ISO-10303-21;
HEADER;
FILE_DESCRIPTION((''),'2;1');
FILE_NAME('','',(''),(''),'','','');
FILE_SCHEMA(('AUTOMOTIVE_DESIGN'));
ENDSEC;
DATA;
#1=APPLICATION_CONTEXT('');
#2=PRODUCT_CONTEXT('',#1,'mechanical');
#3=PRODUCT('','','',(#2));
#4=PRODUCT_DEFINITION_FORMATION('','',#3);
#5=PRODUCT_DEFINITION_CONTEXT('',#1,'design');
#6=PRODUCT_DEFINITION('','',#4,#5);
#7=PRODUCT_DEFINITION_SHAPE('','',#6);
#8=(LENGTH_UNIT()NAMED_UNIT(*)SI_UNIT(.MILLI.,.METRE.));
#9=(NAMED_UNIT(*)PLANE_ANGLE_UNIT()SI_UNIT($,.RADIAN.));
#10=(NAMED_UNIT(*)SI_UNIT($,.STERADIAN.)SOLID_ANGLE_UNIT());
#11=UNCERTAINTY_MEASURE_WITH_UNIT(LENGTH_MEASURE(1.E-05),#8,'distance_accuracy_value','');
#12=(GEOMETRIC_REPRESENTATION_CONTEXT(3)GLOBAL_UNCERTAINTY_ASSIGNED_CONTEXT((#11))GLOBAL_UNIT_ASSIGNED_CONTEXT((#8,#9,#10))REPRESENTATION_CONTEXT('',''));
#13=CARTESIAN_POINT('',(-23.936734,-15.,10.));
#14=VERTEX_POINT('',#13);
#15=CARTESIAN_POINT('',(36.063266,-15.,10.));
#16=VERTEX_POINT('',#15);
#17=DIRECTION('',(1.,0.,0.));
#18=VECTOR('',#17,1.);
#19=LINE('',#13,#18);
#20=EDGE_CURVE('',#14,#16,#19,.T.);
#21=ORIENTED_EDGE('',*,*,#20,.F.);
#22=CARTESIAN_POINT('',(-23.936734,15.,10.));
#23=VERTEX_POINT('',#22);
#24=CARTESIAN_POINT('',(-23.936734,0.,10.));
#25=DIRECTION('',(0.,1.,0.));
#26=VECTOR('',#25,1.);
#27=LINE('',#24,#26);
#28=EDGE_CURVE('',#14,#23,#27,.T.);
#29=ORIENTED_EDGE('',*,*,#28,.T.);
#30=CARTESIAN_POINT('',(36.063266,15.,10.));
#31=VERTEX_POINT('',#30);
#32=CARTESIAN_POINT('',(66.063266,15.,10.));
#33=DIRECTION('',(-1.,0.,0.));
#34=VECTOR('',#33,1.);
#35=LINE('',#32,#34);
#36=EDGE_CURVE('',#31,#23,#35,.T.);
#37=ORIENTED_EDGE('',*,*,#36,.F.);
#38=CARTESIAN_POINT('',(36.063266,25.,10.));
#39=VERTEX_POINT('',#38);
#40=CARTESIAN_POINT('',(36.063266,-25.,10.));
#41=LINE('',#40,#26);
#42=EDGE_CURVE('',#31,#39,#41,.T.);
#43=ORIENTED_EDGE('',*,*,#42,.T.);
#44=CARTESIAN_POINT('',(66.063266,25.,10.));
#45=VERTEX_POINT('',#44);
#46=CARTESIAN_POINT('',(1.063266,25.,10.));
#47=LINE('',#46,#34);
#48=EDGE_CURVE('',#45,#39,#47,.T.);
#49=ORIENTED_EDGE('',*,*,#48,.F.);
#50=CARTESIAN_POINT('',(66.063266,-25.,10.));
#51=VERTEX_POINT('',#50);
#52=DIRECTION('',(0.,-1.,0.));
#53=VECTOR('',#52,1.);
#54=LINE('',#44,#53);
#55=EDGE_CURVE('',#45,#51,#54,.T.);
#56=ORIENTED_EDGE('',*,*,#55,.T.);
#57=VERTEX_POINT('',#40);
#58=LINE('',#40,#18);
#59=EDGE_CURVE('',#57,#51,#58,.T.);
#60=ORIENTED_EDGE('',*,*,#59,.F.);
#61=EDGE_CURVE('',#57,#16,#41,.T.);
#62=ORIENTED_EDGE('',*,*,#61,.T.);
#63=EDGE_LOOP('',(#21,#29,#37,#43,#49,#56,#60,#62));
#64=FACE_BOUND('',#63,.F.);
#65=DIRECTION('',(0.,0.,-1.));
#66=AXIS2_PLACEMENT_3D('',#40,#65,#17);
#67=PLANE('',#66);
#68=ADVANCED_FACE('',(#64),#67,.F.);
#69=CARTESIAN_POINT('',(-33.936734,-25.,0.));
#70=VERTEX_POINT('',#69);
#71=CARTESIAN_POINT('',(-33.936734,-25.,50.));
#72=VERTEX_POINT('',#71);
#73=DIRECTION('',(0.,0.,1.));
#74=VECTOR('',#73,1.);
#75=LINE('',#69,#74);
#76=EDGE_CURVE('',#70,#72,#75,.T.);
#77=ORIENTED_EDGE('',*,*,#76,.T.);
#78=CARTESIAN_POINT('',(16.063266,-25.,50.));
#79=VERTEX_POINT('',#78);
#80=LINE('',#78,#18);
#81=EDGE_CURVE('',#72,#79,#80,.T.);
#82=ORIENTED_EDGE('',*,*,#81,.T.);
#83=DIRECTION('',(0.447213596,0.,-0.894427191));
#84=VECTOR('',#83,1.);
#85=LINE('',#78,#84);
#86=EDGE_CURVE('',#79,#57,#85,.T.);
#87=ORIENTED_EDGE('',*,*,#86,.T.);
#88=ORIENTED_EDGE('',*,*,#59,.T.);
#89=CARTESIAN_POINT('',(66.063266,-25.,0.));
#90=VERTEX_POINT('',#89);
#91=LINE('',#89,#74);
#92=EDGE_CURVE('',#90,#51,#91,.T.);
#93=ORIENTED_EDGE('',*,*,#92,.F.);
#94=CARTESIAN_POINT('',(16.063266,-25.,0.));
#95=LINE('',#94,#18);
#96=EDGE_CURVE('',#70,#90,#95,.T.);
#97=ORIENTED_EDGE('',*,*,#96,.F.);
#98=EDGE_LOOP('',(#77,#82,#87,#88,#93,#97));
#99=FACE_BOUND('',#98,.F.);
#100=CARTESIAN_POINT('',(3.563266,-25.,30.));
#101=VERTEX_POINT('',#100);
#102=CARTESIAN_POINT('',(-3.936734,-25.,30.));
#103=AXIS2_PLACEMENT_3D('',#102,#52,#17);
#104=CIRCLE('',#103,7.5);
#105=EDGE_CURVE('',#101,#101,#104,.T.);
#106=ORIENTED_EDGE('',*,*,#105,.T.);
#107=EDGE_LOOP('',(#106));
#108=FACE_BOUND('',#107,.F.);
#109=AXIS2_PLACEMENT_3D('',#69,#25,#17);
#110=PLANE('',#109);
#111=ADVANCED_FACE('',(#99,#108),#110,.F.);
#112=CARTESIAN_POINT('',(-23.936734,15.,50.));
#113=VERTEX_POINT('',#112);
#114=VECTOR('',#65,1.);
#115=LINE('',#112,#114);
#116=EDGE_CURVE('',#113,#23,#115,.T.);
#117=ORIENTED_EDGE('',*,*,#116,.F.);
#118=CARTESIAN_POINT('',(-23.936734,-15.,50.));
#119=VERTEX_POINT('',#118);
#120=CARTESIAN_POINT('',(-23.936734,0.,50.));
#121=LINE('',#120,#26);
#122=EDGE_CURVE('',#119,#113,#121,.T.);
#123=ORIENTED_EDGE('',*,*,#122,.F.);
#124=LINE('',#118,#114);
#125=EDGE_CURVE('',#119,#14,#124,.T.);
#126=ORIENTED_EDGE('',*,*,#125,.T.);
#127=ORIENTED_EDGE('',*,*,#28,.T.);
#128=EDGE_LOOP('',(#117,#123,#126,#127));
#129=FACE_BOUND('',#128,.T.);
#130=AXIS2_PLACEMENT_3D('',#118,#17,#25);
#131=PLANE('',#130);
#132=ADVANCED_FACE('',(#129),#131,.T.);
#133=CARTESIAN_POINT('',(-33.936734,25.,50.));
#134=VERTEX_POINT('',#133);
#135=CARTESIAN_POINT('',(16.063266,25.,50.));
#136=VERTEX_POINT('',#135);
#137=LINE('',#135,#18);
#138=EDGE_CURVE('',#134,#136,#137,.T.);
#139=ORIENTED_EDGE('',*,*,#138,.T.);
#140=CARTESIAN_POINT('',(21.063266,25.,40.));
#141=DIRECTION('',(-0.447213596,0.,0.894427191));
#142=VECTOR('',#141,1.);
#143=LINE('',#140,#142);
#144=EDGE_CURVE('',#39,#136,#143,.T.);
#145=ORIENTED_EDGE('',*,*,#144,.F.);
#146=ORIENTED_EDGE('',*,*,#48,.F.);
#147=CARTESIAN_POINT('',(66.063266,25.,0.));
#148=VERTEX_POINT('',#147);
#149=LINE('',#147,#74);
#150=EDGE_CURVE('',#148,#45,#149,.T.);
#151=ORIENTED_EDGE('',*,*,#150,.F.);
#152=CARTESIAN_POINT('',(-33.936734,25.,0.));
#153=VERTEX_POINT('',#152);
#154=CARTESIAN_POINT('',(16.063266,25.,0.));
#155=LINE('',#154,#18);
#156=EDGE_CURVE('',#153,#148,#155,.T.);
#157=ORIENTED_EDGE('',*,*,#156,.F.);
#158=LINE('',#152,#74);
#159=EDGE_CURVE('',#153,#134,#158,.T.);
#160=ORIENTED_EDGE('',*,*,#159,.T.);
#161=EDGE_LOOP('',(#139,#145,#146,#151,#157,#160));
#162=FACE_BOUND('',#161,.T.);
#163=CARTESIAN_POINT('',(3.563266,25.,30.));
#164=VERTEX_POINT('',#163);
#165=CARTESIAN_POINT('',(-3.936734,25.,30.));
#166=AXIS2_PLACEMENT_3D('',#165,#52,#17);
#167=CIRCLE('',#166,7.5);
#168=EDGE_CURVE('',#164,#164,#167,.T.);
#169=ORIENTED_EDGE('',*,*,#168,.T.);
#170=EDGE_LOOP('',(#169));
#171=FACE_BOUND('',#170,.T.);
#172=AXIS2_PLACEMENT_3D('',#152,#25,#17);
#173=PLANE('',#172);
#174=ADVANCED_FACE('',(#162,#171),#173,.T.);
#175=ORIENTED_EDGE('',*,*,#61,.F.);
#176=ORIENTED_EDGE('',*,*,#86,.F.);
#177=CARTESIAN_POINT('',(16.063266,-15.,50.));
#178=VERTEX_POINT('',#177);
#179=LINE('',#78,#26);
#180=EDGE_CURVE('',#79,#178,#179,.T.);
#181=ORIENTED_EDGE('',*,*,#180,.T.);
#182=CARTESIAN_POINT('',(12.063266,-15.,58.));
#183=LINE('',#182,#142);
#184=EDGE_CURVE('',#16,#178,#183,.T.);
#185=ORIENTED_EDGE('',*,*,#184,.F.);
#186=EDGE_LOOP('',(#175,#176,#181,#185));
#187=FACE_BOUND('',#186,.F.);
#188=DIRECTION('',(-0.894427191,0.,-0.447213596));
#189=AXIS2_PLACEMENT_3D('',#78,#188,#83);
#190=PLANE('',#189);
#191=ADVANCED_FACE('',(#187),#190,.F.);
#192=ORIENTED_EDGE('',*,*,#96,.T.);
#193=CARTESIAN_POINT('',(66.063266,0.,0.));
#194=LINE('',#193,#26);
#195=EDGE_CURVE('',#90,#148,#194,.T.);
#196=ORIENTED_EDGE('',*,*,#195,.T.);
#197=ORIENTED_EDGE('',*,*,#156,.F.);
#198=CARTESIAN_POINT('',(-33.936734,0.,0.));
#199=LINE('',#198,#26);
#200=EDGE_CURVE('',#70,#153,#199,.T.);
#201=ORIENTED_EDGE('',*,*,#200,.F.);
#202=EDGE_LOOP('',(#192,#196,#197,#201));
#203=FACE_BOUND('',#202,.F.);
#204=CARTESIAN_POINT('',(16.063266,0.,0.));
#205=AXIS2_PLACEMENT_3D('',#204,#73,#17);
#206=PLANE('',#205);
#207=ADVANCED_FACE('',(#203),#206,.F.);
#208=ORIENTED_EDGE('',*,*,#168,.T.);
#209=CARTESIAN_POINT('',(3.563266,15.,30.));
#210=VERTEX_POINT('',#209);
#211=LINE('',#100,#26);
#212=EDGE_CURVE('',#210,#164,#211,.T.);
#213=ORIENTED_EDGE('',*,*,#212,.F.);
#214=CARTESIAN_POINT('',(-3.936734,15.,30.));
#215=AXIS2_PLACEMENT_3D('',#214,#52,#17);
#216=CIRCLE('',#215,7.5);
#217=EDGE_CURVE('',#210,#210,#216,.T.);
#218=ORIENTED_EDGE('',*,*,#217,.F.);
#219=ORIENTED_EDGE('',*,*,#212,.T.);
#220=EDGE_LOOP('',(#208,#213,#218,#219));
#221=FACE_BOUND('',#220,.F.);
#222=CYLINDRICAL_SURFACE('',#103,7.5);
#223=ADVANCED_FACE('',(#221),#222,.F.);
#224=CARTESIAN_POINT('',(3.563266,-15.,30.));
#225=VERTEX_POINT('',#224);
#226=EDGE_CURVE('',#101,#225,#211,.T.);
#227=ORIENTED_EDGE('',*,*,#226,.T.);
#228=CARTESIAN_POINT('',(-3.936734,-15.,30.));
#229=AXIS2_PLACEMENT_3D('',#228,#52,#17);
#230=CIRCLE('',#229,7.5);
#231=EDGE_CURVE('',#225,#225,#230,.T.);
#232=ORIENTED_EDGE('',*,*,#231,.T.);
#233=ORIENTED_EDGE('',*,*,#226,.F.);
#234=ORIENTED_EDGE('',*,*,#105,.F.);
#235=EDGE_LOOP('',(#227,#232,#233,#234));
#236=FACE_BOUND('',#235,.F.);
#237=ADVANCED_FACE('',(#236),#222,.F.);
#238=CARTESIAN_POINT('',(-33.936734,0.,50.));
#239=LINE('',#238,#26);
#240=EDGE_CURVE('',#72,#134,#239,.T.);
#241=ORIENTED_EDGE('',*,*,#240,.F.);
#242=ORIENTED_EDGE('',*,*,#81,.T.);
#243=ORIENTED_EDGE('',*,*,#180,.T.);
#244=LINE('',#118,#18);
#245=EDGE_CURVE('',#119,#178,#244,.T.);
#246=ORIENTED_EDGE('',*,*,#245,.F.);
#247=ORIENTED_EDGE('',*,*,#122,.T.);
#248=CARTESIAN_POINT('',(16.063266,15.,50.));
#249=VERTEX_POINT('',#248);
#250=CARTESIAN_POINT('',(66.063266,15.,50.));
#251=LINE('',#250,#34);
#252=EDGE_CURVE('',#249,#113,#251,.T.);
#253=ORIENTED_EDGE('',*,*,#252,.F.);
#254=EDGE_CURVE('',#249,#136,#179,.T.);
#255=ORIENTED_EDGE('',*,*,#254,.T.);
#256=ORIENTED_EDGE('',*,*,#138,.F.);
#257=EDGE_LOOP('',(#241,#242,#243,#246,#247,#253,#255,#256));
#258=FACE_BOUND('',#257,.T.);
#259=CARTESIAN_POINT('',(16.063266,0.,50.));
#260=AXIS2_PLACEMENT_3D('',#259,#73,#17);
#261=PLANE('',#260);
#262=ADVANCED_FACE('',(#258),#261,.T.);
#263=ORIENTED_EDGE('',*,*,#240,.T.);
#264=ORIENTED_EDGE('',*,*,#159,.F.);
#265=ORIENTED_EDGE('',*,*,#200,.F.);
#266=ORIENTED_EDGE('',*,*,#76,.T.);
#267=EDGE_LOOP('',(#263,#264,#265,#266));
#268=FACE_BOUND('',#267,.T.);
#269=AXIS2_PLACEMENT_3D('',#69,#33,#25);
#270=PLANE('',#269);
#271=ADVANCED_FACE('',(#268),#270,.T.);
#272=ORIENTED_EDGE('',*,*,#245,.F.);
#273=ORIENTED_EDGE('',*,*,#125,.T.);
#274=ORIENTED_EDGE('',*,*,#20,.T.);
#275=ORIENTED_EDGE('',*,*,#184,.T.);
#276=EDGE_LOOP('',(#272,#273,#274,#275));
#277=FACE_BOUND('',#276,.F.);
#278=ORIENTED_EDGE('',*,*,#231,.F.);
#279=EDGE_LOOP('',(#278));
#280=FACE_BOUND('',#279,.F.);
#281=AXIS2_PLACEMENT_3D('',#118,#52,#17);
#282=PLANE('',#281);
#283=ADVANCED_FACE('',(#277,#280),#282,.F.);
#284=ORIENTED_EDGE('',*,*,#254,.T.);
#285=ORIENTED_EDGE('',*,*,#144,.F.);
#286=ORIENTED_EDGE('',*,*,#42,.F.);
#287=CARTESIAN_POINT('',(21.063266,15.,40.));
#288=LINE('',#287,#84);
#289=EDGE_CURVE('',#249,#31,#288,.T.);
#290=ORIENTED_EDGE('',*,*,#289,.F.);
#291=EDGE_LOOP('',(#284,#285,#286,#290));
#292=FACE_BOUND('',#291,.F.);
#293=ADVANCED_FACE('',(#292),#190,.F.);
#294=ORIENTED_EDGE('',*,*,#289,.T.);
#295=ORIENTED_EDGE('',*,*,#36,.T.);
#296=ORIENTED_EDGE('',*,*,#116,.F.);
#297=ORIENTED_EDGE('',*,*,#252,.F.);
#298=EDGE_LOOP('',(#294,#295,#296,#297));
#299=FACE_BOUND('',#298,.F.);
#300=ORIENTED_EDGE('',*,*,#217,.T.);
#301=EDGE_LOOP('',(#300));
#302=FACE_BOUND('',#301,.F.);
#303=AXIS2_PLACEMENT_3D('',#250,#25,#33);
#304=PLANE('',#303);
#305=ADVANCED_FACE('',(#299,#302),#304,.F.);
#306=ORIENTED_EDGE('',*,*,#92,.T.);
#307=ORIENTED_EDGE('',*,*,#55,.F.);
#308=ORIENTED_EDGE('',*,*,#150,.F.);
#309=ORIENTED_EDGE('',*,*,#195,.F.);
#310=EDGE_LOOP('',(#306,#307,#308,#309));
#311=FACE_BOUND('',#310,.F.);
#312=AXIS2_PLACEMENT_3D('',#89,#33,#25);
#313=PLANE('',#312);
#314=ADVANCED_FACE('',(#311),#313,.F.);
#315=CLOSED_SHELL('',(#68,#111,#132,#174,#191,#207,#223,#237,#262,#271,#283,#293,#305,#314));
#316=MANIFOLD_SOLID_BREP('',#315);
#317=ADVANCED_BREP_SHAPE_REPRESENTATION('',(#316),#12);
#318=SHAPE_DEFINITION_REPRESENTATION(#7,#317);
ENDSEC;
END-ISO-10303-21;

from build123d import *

# Parameters (mm, degrees)
F0_W     = 100
F0_H     = 50
F1_DEPTH = 50
F3_DEPTH = 50.001
F4_W     = 50
F4_H     = 30
F4_W_2   = 40
F5_DEPTH = 40
F6_R     = 7.5
F7_DEPTH = 50.001


with BuildPart() as f1:
    # F0 (on Top) → F1 (new body)
    with BuildSketch(Plane.XY):
        with Locations((16.063266, 0)):
            Rectangle(F0_W, F0_H)
    extrude(amount=F1_DEPTH)

    # F2 (on face) → F3 (cut, through all)
    with BuildSketch(Plane.XZ.offset(25)):
        Polygon((66.063266, 50), (16.063266, 50), (36.063266, 10), (66.063266, 10), align=None)
    extrude(amount=-F3_DEPTH, mode=Mode.SUBTRACT)

    # F4 (on face) → F5 (cut)
    with BuildSketch(Plane.XY.offset(50)):
        with Locations((41.063266, 0)):
            Rectangle(F4_W, F4_H)
        with Locations((-3.936734, 0)):
            Rectangle(F4_W_2, F4_H)
    extrude(amount=-F5_DEPTH, mode=Mode.SUBTRACT)

    # F6 (on face) → F7 (cut, through all)
    with BuildSketch(Plane.XZ.offset(25)):
        with Locations((-3.936734, 30)):
            Circle(F6_R)
    extrude(amount=-F7_DEPTH, mode=Mode.SUBTRACT)


solid = f1.part
